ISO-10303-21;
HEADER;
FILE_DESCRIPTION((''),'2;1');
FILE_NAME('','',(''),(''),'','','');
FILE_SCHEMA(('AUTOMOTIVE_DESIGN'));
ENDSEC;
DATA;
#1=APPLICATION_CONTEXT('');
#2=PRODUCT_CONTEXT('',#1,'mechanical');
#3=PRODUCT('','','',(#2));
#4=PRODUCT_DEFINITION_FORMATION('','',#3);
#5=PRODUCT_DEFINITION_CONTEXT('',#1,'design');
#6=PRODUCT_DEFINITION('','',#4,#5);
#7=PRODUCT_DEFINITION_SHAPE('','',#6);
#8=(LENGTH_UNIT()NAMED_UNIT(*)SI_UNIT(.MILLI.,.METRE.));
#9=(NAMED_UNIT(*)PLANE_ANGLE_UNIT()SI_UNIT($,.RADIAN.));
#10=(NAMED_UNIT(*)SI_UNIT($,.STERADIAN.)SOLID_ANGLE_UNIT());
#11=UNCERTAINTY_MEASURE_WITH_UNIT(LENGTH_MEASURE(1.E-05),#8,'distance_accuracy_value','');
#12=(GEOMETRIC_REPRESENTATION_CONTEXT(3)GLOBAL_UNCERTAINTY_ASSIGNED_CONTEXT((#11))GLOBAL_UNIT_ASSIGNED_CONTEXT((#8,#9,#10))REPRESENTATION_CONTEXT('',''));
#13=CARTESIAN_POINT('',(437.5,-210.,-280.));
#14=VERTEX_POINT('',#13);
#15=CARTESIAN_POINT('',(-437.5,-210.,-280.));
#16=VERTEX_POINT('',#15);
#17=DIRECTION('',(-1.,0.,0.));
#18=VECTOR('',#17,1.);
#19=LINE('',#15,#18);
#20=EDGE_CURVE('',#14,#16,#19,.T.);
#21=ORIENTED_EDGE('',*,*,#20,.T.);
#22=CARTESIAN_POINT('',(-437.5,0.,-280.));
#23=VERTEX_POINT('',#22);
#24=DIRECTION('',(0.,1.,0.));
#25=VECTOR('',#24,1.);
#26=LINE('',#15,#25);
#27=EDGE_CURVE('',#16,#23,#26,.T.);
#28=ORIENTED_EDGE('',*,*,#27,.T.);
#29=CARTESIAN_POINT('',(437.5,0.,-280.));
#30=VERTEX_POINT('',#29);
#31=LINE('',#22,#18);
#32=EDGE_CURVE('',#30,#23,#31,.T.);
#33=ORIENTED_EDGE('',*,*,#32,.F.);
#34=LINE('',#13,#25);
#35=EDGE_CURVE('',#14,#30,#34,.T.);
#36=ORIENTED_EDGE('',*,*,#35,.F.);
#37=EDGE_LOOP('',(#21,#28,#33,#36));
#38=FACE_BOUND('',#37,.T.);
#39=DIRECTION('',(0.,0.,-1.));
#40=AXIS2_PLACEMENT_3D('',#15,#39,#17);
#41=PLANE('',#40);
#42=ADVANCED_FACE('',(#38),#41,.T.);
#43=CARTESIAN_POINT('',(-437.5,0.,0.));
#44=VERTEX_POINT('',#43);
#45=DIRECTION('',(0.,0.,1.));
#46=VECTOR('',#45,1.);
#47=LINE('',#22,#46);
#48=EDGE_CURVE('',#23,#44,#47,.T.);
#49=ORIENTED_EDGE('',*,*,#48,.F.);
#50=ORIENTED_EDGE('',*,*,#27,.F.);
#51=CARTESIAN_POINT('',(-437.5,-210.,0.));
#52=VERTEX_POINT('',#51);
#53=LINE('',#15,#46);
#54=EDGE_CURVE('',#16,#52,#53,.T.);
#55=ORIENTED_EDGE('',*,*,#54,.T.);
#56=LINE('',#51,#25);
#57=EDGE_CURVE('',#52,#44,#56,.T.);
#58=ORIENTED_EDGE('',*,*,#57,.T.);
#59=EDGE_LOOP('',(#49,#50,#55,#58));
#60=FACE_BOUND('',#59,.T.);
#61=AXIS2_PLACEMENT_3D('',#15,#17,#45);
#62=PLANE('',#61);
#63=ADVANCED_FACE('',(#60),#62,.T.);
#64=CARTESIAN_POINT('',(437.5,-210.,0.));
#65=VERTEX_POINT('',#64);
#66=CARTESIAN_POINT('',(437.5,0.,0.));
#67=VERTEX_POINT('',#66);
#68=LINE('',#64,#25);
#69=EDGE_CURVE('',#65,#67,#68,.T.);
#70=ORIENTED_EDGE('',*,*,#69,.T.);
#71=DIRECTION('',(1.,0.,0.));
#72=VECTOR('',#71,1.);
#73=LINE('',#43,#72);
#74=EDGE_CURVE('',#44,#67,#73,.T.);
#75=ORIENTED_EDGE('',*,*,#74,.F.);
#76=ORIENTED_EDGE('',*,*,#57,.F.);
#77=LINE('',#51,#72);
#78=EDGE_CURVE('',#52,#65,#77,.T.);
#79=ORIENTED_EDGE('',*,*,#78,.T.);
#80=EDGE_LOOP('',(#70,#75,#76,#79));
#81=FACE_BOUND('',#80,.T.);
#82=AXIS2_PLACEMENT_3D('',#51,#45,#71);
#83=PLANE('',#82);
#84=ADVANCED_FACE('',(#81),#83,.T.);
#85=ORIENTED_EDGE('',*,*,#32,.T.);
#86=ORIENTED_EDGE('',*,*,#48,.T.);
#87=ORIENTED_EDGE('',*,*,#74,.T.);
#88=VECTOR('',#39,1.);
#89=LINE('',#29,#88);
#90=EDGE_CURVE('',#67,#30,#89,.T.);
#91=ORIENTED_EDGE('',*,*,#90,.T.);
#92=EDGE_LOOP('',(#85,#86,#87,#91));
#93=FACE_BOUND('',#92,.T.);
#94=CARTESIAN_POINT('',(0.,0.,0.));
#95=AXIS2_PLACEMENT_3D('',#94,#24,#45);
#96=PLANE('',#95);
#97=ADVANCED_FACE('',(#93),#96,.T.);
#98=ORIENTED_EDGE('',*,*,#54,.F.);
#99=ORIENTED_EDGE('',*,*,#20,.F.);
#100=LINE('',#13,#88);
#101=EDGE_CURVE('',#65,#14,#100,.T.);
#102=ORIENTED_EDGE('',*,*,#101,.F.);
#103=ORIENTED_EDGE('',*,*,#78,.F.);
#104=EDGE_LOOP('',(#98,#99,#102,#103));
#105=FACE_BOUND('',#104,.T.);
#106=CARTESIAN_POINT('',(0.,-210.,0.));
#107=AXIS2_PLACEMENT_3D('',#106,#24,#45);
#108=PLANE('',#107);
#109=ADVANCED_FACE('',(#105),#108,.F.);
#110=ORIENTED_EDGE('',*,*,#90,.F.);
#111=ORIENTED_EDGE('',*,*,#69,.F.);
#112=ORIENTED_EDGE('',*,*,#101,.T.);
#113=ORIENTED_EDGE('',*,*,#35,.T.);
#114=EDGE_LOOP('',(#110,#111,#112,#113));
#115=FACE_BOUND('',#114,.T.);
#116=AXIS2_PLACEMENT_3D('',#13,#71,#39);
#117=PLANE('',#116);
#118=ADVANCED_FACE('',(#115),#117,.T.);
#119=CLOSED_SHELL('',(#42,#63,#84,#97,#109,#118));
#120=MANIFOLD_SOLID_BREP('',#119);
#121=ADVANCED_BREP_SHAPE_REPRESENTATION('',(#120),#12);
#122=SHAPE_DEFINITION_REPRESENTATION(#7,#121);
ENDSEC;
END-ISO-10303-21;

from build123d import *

# Parameters (mm, degrees)
SKETCH1_W           = 875
SKETCH1_H           = 280
BOSS_EXTRUDE1_DEPTH = 210


with BuildPart() as part:
    # Sketch1 → Boss-Extrude1 (new body)
    with BuildSketch(Plane(origin=(0, 0, 0), x_dir=(1, 0, 0), z_dir=(0, 1, 0))):
        with Locations((0, 140)):
            Rectangle(SKETCH1_W, SKETCH1_H)
    extrude(amount=-BOSS_EXTRUDE1_DEPTH)


solid = part.part
